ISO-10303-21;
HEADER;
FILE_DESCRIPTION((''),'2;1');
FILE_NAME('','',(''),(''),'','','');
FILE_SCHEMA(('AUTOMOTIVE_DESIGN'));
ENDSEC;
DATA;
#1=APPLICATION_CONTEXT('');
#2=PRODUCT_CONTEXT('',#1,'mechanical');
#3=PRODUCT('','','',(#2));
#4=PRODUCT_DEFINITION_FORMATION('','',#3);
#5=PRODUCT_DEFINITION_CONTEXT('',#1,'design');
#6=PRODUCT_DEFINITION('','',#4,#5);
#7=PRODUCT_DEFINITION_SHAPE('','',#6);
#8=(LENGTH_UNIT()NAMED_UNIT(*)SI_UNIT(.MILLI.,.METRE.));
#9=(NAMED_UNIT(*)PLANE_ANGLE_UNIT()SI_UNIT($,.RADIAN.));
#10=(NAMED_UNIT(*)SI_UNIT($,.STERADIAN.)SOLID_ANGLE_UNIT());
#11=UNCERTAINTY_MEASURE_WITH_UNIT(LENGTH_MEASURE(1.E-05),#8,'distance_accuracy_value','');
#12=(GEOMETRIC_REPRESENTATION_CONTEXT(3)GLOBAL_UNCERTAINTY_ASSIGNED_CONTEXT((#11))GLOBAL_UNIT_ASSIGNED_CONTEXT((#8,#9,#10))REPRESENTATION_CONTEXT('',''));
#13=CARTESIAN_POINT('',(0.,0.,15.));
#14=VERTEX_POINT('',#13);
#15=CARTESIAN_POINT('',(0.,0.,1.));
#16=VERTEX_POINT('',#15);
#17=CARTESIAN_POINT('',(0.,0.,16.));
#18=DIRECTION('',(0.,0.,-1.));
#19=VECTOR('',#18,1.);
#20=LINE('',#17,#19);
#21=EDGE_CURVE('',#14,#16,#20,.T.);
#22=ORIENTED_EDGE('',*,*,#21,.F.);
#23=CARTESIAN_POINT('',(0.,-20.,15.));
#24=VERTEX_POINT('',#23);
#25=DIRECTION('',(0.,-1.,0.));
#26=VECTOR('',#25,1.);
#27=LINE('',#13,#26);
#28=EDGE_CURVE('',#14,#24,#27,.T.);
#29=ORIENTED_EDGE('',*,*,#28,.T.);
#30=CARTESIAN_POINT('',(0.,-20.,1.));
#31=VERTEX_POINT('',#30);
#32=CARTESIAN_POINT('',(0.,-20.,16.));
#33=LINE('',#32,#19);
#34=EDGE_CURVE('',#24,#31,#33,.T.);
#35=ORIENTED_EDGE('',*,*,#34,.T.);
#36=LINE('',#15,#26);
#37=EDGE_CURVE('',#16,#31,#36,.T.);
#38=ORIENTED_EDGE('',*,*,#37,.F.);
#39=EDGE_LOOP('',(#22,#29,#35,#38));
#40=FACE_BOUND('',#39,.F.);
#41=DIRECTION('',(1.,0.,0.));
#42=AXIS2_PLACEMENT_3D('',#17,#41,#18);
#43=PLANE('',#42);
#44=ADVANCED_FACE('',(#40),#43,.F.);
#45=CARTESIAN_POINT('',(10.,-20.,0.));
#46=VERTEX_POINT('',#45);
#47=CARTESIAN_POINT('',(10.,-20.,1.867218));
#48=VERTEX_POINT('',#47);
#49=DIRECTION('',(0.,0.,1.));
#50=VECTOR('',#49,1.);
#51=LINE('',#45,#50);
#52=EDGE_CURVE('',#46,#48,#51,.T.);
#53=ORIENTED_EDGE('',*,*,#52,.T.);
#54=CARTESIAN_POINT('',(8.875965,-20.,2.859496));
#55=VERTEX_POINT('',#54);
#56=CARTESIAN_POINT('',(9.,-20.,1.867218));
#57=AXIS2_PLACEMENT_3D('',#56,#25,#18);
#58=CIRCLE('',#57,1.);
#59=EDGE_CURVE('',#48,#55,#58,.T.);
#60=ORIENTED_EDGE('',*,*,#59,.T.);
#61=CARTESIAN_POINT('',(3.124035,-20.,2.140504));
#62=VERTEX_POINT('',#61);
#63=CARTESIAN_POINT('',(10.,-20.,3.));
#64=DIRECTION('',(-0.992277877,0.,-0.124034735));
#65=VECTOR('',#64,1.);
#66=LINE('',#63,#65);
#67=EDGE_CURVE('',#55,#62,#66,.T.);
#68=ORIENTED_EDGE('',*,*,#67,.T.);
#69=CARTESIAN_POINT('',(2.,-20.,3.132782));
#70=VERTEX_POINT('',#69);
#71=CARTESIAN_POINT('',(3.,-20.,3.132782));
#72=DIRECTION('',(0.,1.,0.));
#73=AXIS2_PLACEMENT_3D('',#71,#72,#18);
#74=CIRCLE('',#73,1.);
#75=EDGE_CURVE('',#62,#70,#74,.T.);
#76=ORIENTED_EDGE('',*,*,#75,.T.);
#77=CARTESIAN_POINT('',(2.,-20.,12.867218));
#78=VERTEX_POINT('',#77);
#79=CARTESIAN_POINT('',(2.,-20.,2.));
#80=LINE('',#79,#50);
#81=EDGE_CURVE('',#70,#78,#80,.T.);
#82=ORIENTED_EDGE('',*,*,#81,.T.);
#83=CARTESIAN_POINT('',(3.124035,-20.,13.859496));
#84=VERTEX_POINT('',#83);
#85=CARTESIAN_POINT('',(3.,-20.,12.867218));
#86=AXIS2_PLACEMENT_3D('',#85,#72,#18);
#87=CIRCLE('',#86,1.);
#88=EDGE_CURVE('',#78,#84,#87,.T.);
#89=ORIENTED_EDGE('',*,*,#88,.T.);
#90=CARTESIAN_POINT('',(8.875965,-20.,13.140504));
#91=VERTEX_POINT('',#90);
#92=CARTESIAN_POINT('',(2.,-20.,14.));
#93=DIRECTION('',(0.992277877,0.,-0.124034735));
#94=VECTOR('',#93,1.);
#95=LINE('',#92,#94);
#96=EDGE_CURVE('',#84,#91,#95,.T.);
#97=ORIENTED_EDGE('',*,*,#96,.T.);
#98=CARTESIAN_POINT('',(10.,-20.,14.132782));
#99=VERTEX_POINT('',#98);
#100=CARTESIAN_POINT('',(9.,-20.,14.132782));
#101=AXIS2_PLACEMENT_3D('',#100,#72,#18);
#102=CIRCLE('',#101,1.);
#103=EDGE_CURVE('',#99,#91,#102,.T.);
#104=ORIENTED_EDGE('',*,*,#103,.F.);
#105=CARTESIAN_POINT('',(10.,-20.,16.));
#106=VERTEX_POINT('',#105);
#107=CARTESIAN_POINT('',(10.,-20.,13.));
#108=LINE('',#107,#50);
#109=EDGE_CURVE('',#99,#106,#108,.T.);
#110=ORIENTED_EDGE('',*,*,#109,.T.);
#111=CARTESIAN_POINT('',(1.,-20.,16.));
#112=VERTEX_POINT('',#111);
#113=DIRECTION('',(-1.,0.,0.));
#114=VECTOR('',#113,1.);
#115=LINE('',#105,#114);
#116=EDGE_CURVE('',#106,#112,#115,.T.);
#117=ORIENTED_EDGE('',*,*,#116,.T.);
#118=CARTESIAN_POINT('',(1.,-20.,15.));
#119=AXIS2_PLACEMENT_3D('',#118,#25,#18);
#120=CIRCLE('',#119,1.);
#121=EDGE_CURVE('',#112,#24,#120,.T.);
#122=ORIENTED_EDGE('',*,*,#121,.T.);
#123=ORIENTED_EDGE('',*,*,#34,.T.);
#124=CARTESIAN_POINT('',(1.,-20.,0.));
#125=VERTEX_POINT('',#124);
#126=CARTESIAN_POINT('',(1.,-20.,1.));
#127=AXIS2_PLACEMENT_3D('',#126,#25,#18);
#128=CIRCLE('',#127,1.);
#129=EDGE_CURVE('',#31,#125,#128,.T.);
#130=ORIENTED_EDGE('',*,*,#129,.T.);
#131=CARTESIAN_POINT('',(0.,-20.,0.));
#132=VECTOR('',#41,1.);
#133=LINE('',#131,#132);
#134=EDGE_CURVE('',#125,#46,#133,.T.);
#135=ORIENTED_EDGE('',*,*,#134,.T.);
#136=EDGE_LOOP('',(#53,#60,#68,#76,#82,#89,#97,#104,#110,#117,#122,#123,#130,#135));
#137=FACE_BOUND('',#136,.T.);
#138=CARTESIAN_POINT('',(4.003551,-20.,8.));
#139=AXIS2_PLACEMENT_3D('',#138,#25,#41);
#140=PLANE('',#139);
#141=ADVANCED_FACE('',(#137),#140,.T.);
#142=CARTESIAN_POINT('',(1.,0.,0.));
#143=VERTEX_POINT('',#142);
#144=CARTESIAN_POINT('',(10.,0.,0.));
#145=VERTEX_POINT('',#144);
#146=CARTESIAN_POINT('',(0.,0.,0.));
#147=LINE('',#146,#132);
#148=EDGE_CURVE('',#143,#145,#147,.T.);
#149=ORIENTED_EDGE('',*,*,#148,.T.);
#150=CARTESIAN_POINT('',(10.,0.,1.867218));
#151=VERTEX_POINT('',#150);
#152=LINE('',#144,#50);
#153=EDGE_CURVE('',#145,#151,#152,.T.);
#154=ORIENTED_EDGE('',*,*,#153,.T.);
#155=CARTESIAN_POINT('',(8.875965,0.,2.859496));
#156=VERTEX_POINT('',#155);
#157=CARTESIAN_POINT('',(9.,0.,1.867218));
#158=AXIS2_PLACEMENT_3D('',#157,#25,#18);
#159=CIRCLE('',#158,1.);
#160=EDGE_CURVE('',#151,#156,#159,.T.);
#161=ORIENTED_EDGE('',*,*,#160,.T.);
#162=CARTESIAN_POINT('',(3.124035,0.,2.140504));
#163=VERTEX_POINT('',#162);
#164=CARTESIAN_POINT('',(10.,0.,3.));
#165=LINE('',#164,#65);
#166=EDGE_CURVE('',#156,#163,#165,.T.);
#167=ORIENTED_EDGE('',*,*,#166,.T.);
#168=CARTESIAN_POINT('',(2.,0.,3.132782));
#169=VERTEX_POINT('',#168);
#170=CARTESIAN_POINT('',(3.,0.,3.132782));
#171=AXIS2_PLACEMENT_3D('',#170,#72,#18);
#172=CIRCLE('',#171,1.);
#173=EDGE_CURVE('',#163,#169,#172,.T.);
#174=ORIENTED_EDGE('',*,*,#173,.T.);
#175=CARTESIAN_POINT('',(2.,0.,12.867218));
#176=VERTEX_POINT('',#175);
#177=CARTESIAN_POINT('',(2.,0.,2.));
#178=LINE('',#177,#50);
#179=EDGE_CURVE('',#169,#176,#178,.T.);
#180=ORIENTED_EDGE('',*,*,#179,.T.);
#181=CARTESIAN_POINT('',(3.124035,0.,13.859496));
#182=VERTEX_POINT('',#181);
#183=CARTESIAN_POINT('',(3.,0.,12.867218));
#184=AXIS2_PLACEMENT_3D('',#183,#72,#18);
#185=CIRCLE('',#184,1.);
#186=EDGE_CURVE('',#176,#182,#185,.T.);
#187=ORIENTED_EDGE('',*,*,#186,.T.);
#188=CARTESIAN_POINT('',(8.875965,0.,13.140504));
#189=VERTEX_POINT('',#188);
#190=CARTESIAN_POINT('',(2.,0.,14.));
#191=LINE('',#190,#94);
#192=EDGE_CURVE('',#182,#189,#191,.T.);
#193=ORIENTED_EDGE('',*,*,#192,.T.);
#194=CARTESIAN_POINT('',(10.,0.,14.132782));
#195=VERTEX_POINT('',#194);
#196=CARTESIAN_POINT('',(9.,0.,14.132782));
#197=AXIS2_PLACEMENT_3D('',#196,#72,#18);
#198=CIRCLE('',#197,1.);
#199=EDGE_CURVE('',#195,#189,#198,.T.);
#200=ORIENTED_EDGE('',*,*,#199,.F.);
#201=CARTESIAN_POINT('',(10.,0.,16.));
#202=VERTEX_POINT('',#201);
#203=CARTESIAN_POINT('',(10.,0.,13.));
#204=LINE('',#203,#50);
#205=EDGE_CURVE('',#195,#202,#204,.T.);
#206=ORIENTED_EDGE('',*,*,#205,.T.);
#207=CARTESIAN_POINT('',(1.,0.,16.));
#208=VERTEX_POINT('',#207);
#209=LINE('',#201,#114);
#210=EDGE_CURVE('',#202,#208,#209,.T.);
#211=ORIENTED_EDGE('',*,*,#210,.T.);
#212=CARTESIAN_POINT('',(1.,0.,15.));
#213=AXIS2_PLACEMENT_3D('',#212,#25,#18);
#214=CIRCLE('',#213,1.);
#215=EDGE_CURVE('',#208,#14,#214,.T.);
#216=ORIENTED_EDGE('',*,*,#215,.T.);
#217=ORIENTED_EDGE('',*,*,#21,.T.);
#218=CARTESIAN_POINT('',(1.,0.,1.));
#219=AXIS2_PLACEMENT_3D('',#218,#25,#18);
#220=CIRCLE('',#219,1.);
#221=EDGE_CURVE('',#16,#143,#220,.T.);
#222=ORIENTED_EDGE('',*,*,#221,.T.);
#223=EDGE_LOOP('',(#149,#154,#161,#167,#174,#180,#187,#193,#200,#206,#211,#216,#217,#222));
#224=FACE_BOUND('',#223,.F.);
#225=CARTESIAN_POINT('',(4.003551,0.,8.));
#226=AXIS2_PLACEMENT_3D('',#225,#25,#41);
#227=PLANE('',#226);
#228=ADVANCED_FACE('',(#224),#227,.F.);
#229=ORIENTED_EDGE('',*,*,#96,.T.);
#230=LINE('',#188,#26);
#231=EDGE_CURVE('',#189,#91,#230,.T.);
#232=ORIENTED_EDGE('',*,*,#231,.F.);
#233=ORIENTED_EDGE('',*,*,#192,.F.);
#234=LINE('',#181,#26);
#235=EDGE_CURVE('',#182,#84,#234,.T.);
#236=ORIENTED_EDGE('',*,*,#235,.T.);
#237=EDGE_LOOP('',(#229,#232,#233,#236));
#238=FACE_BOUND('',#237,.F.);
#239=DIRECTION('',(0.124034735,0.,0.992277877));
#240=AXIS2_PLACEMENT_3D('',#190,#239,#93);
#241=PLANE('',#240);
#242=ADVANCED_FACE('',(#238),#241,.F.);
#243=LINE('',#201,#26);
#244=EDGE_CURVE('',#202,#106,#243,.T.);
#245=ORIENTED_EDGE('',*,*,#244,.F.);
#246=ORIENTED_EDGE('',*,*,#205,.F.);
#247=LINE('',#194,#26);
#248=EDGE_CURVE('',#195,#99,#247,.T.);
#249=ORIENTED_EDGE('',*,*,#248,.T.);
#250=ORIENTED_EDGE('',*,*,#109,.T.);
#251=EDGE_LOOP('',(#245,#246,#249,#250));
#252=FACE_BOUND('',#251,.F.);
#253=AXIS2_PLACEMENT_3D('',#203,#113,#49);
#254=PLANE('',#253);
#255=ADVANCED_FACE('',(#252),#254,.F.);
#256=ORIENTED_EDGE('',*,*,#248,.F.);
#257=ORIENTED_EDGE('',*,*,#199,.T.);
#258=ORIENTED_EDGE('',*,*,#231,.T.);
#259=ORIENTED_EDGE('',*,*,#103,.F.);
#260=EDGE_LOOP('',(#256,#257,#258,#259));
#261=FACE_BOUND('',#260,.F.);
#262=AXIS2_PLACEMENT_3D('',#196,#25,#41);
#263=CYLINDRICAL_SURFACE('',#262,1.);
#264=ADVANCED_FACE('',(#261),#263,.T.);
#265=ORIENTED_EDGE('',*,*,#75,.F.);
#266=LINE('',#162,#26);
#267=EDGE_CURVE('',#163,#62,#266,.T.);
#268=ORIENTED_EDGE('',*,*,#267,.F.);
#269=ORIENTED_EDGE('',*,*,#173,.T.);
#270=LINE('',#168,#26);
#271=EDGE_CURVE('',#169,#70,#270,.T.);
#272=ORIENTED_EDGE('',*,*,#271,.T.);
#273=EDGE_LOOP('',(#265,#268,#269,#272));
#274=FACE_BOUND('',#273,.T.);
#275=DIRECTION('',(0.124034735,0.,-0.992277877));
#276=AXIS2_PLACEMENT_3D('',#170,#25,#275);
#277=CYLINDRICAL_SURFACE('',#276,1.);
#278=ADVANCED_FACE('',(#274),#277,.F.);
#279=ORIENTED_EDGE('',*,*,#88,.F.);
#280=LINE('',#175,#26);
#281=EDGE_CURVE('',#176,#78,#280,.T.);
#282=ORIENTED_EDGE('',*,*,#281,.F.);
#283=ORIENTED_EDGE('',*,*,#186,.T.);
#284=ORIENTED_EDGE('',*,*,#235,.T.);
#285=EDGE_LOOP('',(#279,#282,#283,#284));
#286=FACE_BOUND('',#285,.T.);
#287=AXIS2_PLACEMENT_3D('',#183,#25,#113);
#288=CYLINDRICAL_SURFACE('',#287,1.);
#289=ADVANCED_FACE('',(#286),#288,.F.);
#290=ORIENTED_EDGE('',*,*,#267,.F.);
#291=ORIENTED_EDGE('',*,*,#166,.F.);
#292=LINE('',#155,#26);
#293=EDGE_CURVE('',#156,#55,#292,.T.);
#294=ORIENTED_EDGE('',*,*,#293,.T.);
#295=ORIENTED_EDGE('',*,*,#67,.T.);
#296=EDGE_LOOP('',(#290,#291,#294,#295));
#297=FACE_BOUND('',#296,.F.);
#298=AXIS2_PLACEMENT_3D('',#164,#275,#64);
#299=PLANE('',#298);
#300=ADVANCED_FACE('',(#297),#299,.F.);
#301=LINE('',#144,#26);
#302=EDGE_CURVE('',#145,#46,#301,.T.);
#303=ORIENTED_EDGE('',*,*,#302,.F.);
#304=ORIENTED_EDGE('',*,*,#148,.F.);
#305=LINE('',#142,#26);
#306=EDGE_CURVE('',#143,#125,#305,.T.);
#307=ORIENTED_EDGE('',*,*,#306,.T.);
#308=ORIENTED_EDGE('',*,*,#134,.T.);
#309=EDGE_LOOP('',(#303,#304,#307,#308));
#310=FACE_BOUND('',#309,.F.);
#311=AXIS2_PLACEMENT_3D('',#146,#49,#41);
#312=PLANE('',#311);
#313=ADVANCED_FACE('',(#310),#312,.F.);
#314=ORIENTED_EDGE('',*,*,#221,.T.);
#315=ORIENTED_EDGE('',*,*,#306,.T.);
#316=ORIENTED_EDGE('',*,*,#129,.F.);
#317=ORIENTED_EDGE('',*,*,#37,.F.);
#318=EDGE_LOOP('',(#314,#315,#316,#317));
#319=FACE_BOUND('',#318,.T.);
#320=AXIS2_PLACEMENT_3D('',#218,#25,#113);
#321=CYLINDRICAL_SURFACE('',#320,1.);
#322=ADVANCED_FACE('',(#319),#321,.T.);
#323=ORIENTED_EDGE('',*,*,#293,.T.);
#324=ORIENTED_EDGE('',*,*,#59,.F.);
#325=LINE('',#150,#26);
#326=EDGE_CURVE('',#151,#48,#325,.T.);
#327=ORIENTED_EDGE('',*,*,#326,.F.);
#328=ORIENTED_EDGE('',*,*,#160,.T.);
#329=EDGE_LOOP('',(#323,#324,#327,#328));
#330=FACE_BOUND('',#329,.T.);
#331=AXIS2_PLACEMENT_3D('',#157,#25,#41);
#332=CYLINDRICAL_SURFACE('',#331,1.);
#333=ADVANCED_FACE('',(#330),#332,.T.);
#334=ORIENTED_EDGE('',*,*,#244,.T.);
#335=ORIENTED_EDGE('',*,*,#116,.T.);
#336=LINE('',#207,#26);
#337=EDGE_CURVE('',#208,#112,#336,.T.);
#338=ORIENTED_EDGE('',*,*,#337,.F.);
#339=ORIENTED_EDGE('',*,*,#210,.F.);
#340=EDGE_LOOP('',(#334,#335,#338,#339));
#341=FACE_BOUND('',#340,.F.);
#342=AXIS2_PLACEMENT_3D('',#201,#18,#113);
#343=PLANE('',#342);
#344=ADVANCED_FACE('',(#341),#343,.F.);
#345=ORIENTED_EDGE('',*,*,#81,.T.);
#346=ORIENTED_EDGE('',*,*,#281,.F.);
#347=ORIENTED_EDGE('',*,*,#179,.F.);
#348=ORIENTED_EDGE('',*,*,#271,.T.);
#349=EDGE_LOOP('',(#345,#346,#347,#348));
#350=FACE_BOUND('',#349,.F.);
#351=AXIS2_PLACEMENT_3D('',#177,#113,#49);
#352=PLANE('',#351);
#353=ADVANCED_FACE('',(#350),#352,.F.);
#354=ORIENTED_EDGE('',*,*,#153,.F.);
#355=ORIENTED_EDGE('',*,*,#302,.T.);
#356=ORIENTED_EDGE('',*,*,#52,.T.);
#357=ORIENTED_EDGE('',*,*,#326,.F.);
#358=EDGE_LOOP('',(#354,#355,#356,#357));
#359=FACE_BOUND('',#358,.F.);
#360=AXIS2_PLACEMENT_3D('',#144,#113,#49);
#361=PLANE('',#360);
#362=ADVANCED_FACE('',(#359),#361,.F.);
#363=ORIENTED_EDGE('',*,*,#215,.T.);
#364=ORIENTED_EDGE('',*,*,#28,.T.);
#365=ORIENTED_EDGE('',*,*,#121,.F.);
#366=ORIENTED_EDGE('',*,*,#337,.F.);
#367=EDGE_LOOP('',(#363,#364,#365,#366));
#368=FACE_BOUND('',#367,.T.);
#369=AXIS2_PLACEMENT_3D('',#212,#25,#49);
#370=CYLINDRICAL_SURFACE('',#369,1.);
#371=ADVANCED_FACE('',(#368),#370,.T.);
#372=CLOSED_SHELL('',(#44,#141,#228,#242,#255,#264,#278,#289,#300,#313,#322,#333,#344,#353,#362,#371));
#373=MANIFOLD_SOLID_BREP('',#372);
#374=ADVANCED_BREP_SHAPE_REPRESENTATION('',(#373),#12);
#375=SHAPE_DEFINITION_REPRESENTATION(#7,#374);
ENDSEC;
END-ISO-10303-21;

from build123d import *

# Parameters (mm, degrees)
F1_DEPTH = 20
F2_R     = 1
F3_R     = 1


with BuildPart() as f1:
    # F0 (on Front) → F1 (new body)
    with BuildSketch(Plane.XZ):
        Polygon((10, 13), (10, 16), (0, 16), (0, 0), (10, 0), (10, 3), (2, 2), (2, 14), align=None)
    extrude(amount=F1_DEPTH)

    # F2
    f2_edges = [f1.edges().sort_by_distance(p)[0] for p in [
        (10, -10, 13),
        (10, -10, 3),
        (2, -10, 14),
        (2, -10, 2),
    ]]
    fillet(f2_edges, radius=F2_R)

    # F3
    f3_edges = [f1.edges().sort_by_distance(p)[0] for p in [
        (0, -10, 0),
        (0, -10, 16),
    ]]
    fillet(f3_edges, radius=F3_R)


solid = f1.part
